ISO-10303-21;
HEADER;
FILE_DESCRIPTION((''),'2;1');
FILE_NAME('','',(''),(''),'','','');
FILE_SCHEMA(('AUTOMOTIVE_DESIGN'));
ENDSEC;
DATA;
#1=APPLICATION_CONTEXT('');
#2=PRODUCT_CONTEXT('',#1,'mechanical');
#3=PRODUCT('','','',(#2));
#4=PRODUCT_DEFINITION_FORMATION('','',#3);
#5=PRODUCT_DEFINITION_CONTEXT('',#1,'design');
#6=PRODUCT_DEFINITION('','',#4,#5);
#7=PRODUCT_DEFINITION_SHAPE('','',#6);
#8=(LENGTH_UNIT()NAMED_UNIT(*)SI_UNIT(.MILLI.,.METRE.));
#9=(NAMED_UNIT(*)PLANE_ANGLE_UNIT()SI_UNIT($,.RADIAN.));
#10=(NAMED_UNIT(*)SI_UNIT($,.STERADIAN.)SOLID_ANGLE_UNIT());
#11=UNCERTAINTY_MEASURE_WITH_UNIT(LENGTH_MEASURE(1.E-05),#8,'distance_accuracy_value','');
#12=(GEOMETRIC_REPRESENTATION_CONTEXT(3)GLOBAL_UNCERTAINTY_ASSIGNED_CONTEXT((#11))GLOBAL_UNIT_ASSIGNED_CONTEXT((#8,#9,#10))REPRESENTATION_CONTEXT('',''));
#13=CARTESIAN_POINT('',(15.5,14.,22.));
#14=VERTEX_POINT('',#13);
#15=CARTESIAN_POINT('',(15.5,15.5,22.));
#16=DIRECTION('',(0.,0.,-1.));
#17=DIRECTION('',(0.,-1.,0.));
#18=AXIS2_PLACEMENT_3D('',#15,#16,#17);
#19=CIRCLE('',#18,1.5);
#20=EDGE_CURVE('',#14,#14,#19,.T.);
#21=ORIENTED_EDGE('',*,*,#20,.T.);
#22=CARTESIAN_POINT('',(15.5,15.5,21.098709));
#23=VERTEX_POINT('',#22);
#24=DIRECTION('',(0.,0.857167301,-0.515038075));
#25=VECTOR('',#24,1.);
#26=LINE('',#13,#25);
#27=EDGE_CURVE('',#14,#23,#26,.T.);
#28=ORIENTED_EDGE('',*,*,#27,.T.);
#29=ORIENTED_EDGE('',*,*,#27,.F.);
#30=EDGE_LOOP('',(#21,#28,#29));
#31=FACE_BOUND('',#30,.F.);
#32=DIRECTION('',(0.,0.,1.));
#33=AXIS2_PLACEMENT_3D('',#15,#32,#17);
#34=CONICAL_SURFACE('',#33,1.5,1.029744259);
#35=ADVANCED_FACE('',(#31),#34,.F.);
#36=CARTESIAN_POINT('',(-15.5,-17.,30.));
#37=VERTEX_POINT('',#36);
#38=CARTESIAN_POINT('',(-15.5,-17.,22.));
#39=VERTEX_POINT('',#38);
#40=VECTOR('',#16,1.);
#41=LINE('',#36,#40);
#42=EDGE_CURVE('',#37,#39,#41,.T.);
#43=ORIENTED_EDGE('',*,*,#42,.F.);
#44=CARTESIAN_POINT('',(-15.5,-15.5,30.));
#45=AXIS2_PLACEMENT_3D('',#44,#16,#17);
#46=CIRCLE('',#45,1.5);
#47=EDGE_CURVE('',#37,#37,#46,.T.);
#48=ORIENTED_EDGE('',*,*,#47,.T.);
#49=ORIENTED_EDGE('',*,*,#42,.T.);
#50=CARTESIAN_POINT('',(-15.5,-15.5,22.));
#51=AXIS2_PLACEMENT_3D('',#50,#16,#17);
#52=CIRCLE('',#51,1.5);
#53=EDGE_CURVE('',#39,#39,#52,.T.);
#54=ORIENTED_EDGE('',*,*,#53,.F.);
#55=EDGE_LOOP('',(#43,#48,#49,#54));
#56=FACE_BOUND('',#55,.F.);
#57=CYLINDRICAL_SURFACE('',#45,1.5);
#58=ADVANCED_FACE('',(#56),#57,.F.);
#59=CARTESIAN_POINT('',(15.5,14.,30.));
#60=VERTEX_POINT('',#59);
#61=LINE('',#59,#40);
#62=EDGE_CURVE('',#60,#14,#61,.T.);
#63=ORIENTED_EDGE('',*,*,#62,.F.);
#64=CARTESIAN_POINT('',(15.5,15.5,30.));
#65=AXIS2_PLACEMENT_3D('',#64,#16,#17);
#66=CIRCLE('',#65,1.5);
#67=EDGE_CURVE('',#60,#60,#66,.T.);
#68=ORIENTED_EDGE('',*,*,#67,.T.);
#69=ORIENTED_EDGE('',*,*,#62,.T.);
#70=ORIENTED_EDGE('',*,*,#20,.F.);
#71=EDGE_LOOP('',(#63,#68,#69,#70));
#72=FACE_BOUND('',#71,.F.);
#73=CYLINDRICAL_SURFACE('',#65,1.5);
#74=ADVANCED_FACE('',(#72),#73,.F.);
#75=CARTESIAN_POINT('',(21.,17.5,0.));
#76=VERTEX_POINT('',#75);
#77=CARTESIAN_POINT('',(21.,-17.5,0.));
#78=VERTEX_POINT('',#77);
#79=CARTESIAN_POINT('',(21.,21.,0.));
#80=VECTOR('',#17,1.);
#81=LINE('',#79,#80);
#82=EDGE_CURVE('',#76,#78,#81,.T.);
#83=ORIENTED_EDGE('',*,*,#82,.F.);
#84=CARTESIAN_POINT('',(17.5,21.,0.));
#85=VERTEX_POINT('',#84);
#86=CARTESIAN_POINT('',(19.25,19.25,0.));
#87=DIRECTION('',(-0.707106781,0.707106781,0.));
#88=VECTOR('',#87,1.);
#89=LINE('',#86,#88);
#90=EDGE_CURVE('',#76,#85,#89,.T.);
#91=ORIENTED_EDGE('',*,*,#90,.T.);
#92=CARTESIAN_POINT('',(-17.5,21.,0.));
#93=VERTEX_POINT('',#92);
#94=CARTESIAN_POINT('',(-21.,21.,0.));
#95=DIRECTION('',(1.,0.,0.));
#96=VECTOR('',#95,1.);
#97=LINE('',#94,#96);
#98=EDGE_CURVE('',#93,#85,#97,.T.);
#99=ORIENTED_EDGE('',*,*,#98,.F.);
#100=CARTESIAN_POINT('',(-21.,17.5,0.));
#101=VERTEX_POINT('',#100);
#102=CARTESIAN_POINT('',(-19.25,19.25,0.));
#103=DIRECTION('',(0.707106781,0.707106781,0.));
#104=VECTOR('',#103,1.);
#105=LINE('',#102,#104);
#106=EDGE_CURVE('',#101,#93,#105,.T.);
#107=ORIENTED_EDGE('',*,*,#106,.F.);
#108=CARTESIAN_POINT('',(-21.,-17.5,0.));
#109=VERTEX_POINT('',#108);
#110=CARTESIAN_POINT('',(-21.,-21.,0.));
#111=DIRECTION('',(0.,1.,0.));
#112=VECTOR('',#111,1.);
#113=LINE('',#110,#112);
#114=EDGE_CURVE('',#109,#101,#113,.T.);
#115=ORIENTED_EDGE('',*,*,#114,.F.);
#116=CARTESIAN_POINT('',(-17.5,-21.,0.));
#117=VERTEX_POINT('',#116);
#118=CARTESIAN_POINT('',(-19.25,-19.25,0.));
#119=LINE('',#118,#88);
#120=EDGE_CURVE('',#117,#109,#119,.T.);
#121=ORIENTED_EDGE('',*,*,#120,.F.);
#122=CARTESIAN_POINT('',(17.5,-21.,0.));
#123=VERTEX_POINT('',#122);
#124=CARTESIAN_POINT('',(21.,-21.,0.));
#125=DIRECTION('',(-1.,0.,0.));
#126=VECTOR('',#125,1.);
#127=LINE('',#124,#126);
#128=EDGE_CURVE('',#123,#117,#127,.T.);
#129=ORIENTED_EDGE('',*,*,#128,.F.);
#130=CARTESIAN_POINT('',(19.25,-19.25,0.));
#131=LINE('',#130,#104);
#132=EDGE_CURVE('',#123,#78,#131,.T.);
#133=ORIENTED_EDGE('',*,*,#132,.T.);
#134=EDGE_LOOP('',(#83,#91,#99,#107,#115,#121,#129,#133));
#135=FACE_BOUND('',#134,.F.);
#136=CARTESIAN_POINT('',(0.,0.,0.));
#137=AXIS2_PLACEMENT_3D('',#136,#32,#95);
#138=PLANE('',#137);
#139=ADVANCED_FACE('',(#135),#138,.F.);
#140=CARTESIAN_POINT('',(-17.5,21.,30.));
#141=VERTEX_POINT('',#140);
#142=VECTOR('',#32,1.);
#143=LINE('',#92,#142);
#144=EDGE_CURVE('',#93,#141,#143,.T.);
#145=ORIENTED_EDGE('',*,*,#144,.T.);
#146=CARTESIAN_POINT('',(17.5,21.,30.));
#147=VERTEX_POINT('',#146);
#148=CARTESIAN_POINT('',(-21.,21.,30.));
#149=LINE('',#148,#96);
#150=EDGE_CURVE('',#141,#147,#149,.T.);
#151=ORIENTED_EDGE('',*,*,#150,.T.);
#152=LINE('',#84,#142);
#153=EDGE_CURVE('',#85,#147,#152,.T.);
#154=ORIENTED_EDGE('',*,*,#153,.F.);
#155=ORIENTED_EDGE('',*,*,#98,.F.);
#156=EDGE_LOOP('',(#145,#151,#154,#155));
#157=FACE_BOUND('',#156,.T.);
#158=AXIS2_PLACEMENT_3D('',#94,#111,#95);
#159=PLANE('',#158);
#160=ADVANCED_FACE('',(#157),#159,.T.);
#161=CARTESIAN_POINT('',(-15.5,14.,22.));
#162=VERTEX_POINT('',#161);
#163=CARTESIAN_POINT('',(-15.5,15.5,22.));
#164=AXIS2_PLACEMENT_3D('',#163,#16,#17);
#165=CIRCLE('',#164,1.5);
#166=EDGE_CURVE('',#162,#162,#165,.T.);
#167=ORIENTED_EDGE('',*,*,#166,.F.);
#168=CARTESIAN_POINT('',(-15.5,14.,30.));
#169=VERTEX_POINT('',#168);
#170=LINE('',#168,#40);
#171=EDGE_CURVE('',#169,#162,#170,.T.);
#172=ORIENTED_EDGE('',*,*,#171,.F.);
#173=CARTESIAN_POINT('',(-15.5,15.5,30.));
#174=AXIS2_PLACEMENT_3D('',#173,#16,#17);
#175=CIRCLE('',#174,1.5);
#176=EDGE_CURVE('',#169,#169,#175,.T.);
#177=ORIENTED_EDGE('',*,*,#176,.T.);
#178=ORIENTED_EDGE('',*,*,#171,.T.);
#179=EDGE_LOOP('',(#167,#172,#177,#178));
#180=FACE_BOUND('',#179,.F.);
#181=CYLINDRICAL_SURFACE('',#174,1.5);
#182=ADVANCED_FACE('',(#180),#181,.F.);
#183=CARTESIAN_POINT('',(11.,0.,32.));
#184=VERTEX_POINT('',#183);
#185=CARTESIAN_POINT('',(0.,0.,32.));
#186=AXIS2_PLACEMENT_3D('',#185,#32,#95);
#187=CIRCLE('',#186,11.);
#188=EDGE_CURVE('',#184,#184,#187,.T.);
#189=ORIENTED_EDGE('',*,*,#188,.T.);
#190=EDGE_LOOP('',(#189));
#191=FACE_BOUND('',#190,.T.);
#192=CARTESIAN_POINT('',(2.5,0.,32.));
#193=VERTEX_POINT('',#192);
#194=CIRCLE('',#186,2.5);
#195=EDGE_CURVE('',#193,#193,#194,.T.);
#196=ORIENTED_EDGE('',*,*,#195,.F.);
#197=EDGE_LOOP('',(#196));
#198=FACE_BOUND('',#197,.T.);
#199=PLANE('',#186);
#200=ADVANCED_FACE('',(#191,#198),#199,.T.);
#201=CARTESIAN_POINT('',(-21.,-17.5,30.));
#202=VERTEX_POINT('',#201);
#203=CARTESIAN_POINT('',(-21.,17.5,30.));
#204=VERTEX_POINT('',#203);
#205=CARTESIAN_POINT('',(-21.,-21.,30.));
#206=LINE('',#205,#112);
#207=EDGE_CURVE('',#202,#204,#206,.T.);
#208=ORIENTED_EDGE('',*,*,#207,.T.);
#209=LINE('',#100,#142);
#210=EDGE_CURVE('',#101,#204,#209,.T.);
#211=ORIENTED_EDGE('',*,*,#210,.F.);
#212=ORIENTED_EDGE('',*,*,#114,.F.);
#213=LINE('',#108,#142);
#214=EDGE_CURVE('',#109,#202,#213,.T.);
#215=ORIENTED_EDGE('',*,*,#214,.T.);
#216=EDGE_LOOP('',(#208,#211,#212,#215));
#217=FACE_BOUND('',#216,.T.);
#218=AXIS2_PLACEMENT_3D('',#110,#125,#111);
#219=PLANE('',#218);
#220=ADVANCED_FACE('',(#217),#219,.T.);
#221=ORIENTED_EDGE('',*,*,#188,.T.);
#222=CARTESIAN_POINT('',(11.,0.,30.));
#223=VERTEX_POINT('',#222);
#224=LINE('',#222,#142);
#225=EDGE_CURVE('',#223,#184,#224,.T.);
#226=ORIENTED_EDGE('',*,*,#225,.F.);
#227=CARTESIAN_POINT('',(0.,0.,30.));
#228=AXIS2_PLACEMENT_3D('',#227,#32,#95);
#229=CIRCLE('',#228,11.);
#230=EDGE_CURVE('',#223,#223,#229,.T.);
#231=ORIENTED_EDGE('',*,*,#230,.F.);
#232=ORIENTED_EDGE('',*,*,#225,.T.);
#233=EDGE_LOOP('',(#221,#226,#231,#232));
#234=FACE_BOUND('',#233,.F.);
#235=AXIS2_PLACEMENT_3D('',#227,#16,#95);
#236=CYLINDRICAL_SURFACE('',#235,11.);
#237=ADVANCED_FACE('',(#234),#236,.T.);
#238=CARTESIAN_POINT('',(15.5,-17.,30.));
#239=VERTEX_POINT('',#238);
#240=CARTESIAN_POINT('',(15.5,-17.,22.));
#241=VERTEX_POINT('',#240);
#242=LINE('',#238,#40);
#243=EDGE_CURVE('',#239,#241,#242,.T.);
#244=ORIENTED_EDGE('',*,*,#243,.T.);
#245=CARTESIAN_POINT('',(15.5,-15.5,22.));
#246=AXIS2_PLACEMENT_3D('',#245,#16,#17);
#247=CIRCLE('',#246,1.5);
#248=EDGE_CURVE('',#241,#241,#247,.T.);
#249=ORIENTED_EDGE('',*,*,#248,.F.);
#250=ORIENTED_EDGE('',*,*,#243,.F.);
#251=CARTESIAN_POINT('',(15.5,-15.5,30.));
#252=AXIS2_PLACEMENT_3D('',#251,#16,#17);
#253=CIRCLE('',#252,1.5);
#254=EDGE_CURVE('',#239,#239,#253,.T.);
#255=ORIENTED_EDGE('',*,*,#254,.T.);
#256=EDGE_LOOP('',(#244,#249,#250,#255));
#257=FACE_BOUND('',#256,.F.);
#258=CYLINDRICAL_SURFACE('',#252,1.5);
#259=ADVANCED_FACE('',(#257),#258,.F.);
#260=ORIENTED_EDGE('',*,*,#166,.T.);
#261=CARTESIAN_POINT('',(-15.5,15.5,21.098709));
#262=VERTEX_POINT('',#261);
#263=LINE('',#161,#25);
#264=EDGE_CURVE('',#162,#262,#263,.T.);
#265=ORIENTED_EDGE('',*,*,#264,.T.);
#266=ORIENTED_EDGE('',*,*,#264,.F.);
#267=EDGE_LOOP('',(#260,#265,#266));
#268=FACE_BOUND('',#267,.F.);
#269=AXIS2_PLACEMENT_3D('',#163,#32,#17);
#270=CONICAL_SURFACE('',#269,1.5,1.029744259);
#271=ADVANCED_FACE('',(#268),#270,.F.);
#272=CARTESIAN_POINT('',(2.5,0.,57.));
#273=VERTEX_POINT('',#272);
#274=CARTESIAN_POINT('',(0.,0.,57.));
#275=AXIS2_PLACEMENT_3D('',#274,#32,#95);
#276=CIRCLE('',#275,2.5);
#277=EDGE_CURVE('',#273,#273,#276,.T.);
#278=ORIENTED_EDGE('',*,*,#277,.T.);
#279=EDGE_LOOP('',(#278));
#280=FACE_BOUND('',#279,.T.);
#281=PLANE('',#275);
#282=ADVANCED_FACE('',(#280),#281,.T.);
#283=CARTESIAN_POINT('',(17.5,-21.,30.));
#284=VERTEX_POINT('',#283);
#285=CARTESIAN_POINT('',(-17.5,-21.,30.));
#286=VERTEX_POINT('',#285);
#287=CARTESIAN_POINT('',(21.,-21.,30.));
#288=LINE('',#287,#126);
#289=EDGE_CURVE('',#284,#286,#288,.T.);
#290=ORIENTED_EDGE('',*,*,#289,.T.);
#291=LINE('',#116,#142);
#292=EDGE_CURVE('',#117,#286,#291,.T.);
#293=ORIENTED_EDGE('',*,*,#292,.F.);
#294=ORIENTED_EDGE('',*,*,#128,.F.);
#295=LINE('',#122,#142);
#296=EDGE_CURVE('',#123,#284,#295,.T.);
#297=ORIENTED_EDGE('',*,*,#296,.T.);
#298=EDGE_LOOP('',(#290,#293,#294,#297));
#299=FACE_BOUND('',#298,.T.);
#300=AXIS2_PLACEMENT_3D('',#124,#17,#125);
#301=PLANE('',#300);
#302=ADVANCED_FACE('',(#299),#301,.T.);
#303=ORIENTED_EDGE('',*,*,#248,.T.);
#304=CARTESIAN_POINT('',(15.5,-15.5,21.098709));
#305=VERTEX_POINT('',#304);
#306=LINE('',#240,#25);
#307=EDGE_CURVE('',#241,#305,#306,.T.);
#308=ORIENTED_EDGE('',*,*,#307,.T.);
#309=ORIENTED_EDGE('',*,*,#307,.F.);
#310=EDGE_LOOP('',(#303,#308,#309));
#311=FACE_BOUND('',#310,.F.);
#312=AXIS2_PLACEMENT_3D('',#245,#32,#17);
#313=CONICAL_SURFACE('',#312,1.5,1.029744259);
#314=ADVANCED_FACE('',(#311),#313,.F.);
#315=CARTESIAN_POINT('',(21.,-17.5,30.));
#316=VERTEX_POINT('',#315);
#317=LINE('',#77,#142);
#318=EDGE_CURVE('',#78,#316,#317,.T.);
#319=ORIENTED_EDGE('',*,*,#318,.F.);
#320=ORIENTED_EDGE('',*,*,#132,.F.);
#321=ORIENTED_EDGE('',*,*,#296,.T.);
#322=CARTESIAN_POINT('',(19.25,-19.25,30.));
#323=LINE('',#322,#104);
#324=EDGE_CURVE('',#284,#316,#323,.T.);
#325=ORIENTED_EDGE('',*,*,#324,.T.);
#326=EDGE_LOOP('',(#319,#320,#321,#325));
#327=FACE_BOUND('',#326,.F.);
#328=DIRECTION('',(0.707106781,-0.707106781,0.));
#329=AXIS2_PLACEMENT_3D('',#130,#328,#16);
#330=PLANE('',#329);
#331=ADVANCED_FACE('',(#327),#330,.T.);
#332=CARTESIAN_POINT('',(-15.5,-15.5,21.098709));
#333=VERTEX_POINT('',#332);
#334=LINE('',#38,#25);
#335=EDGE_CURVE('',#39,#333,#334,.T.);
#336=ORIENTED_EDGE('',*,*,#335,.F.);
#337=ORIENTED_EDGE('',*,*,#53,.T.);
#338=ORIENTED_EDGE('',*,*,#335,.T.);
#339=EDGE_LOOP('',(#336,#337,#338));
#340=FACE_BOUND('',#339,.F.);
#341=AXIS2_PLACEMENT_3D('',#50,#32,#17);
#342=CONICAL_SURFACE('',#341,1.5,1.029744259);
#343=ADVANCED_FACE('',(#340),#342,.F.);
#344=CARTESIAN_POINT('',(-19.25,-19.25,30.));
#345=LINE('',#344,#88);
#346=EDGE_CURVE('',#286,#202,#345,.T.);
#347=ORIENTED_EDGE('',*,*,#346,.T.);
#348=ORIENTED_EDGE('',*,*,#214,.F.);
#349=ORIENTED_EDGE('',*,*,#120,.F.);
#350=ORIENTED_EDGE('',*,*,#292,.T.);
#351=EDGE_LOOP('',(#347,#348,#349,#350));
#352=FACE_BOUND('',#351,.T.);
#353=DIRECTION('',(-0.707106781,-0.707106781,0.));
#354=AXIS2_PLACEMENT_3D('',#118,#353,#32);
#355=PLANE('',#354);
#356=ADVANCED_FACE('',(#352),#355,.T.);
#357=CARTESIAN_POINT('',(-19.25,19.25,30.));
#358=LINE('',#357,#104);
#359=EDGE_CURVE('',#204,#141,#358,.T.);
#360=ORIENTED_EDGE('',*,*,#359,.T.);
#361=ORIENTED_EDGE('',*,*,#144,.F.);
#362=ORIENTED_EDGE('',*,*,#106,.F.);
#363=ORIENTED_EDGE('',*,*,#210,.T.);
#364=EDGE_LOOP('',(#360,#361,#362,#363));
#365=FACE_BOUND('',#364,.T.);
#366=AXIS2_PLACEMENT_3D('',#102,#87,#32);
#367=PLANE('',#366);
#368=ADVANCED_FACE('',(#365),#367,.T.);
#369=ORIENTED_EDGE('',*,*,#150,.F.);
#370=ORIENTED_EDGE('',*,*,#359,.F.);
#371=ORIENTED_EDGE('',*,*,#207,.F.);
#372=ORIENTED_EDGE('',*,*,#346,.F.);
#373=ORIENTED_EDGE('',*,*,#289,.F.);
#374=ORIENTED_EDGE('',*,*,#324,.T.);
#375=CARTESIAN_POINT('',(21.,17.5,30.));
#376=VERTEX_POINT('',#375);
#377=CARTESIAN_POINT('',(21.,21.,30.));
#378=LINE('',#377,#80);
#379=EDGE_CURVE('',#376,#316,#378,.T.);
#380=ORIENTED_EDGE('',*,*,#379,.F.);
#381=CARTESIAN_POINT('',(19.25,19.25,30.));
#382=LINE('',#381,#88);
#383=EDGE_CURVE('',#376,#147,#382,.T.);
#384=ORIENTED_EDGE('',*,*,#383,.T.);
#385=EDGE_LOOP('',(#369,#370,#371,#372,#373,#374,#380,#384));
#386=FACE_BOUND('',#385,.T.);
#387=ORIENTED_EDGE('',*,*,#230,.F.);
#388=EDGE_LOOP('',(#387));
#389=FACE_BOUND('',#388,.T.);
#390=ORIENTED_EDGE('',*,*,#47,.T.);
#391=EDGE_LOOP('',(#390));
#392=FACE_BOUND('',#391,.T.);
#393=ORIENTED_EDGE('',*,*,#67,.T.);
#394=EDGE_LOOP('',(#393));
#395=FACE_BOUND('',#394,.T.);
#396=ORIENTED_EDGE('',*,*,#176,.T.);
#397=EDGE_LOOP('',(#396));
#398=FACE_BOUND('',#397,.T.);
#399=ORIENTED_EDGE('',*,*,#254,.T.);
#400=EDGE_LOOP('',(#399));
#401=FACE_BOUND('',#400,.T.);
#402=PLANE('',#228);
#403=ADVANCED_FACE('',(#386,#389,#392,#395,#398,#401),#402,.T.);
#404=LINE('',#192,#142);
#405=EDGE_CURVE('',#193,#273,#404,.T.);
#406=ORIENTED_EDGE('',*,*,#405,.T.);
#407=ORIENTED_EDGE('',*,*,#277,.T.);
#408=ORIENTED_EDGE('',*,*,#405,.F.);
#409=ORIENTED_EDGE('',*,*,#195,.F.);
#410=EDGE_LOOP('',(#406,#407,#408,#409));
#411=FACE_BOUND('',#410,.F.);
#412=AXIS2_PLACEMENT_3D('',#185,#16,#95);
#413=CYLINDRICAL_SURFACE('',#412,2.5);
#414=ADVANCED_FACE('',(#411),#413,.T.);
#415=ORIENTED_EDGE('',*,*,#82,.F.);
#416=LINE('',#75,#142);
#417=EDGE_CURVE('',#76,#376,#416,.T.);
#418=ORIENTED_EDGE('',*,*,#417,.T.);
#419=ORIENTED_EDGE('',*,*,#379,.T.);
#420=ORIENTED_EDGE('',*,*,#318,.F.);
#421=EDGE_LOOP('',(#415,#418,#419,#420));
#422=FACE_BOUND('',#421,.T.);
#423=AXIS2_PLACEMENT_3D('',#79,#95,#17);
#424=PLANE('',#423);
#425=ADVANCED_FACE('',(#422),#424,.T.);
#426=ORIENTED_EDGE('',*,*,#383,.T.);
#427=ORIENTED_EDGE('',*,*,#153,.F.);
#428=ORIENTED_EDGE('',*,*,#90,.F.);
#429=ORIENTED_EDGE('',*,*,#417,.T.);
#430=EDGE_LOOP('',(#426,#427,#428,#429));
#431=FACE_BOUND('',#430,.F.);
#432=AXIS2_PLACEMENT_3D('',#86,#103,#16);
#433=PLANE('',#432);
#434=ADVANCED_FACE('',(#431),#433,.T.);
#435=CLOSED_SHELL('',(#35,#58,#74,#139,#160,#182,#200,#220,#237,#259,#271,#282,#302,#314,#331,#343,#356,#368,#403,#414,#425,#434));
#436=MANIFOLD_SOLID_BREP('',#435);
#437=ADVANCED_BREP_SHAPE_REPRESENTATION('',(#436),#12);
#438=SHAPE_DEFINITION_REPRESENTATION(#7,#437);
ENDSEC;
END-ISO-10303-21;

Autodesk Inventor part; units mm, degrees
ref_plane "YZ Plane" through (0, 0, 0) normal (1, 0, 0) x (0, 1, 0)
ref_plane "XZ Plane" through (0, 0, 0) normal (0, 1, 0) x (-1, 0, 0)
ref_plane "XY Plane" through (0, 0, 0) normal (0, 0, 1) x (1, 0, 0)
sketch "Sketch1" plane through (0, 0, 0) normal (0, 0, 1) x (1, 0, 0)
  line L0 (21, -21) -> (-21, -21)
  line L1 (-21, -21) -> (-21, 21)
  line L2 (-21, 21) -> (21, 21)
  line L3 (21, 21) -> (21, -21)
  line L4 (21, -21) -> (-21, 21) construction
  line L5 (-21, -21) -> (21, 21) construction
  point P0 (0, 0)
  dimension "d0" = 42
extrude "Extrusion1" add sketch "Sketch1" along normal blind 30
sketch "Sketch2" plane through (0, 0, 30) normal (0, 0, 1) x (1, 0, 0)
  point P0 (0, 0)
  point P1 (-15.5, 15.5)
  point P2 (-15.5, -15.5)
  point P3 (15.5, -15.5)
  point P4 (15.5, 15.5)
  dimension "d3" = 31
  dimension "d4" = 31
  dimension "d5" = 15.5
  dimension "d6" = 15.5
hole "Hole1" at (-15.5, 15.5, 30) at (-15.5, -15.5, 30) at (15.5, -15.5, 30) at (15.5, 15.5, 30) direction (0, 0, -1) diameter 3 depth 8 tip angle 118
chamfer "Chamfer1" distance 3.5 angle 45 4 edges at (21, 21, 15) (21, -21, 15) (-21, 21, 15) (-21, -21, 15)
sketch "Sketch3" plane through (0, 0, 30) normal (0, 0, 1) x (1, 0, 0)
  circle A0 centre (0, 0) radius 11
  dimension "d17" = 22
extrude "Extrusion2" add sketch "Sketch3" along normal blind 2
sketch "Sketch4" plane through (0, 0, 32) normal (0, 0, 1) x (1, 0, 0)
  circle A0 centre (0, 0) radius 11 projected
  circle A1 centre (0, 0) radius 2.5
  dimension "d20" = 5
extrude "Extrusion3" add sketch "Sketch4" along normal blind 25 contours A1
equation "\"d4\" = d3"
equation "\"d5\" = 0.5 * d3"
equation "\"d6\" = 0.5 * d3"
properties part number "Extruder Motor" material "Steel, Alloy"
